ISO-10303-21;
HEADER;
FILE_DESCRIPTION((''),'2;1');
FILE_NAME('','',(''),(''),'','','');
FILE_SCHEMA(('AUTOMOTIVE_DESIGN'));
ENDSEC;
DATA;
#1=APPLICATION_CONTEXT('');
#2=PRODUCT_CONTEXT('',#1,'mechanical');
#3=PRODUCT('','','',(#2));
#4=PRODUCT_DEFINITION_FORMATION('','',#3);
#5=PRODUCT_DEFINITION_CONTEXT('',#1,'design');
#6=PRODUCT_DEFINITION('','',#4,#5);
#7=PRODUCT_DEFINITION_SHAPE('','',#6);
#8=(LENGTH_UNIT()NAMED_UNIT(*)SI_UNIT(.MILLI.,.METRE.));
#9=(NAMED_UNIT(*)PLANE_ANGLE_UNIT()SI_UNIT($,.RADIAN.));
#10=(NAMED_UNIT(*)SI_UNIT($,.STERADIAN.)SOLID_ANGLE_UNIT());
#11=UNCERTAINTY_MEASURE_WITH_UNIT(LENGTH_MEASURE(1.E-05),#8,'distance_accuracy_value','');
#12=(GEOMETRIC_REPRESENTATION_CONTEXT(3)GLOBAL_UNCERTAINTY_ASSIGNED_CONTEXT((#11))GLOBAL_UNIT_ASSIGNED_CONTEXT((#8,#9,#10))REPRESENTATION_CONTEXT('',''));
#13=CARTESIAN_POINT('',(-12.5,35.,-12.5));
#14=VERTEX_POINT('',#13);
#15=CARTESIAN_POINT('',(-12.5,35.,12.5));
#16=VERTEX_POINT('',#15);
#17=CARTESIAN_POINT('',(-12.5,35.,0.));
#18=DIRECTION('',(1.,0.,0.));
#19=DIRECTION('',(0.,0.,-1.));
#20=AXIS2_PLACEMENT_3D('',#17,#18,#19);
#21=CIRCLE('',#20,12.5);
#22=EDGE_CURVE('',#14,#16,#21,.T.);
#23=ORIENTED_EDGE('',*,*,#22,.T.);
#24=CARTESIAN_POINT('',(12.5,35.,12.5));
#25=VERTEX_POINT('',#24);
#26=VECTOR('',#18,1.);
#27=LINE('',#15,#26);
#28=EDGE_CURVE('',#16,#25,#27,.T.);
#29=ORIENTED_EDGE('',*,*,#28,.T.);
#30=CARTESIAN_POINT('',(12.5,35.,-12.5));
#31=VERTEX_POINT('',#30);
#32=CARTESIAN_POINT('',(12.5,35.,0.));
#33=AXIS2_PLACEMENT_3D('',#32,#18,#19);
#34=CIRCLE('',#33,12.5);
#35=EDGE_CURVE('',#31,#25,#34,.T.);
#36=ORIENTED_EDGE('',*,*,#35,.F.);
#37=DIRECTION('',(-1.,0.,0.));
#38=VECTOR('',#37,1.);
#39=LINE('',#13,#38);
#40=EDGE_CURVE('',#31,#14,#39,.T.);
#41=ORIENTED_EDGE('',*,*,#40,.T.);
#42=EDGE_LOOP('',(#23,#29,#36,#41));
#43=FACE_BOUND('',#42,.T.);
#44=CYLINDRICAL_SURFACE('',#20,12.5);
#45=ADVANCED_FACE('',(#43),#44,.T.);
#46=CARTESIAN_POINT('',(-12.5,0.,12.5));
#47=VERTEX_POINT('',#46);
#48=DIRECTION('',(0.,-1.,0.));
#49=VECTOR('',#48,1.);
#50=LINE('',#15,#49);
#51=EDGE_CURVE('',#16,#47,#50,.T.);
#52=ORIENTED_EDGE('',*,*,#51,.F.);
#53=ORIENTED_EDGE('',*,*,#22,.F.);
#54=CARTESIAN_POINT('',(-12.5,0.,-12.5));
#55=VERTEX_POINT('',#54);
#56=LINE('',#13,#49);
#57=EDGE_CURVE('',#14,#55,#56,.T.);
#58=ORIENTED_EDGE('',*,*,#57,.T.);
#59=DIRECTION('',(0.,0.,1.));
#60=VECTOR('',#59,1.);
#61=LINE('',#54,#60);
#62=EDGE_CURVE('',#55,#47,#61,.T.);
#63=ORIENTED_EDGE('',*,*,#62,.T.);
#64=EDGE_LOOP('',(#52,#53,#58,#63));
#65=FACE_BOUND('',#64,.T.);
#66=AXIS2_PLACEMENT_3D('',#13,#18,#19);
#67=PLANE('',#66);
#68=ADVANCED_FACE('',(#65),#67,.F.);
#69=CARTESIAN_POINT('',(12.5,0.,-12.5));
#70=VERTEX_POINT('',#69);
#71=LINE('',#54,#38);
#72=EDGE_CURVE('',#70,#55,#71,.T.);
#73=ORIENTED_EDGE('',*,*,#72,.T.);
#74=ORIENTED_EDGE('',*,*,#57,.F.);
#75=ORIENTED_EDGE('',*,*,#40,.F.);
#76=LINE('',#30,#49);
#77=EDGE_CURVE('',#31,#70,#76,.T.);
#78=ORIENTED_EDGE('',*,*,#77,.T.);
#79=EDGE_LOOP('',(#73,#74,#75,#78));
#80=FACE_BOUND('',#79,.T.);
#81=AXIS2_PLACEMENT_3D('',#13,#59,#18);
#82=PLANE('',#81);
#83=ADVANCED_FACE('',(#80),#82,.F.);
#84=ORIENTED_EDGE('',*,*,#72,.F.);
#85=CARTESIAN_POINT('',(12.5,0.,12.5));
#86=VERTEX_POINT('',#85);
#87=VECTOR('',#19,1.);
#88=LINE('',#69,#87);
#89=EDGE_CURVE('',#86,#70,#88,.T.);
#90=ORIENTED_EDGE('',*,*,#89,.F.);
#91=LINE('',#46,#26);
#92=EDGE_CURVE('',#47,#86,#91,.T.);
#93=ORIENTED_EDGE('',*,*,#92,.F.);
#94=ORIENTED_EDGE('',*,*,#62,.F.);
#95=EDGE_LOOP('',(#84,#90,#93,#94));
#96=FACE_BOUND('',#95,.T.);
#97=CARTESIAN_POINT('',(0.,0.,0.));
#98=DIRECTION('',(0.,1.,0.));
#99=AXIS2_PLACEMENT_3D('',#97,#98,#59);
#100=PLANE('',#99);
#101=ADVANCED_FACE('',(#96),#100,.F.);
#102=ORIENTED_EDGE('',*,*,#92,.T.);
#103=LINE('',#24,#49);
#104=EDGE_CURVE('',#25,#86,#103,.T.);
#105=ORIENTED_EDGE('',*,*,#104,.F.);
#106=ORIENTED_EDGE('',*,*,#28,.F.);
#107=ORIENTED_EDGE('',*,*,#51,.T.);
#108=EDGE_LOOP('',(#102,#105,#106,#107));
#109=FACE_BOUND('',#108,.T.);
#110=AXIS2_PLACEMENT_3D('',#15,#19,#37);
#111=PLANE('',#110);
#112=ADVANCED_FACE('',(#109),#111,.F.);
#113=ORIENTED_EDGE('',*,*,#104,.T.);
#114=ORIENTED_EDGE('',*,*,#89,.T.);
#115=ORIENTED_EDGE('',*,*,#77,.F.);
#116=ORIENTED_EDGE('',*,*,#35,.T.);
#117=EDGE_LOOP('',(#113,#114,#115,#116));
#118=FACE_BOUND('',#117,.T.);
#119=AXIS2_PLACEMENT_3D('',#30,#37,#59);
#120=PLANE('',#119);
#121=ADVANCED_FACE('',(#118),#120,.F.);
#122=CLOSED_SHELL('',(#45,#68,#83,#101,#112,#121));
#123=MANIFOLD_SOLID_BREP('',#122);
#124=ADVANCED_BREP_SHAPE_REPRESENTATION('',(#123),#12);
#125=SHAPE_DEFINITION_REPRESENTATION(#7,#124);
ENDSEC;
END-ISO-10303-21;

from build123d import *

# Parameters (mm, degrees)
ESQUISSE1_W        = 25
ESQUISSE1_H        = 25
BOSS_EXTRU_1_DEPTH = 35
BOSS_EXTRU_2_DEPTH = 25


with BuildPart() as part:
    # Esquisse1 → Boss.-Extru.1 (new body)
    with BuildSketch(Plane(origin=(0, 0, 0), x_dir=(1, 0, 0), z_dir=(0, 1, 0))):
        Rectangle(ESQUISSE1_W, ESQUISSE1_H)
    extrude(amount=BOSS_EXTRU_1_DEPTH)

    # Esquisse2 → Boss.-Extru.2 (add)
    with BuildSketch(Plane(origin=(12.5, 0, 0), x_dir=(0, 0, -1), z_dir=(1, 0, 0))):
        with BuildLine():
            Line((-12.5, 35), (12.5, 35))
            ThreePointArc((12.5, 35), (0, 47.5), (-12.5, 35))
        make_face()
    extrude(amount=-BOSS_EXTRU_2_DEPTH)


solid = part.part
